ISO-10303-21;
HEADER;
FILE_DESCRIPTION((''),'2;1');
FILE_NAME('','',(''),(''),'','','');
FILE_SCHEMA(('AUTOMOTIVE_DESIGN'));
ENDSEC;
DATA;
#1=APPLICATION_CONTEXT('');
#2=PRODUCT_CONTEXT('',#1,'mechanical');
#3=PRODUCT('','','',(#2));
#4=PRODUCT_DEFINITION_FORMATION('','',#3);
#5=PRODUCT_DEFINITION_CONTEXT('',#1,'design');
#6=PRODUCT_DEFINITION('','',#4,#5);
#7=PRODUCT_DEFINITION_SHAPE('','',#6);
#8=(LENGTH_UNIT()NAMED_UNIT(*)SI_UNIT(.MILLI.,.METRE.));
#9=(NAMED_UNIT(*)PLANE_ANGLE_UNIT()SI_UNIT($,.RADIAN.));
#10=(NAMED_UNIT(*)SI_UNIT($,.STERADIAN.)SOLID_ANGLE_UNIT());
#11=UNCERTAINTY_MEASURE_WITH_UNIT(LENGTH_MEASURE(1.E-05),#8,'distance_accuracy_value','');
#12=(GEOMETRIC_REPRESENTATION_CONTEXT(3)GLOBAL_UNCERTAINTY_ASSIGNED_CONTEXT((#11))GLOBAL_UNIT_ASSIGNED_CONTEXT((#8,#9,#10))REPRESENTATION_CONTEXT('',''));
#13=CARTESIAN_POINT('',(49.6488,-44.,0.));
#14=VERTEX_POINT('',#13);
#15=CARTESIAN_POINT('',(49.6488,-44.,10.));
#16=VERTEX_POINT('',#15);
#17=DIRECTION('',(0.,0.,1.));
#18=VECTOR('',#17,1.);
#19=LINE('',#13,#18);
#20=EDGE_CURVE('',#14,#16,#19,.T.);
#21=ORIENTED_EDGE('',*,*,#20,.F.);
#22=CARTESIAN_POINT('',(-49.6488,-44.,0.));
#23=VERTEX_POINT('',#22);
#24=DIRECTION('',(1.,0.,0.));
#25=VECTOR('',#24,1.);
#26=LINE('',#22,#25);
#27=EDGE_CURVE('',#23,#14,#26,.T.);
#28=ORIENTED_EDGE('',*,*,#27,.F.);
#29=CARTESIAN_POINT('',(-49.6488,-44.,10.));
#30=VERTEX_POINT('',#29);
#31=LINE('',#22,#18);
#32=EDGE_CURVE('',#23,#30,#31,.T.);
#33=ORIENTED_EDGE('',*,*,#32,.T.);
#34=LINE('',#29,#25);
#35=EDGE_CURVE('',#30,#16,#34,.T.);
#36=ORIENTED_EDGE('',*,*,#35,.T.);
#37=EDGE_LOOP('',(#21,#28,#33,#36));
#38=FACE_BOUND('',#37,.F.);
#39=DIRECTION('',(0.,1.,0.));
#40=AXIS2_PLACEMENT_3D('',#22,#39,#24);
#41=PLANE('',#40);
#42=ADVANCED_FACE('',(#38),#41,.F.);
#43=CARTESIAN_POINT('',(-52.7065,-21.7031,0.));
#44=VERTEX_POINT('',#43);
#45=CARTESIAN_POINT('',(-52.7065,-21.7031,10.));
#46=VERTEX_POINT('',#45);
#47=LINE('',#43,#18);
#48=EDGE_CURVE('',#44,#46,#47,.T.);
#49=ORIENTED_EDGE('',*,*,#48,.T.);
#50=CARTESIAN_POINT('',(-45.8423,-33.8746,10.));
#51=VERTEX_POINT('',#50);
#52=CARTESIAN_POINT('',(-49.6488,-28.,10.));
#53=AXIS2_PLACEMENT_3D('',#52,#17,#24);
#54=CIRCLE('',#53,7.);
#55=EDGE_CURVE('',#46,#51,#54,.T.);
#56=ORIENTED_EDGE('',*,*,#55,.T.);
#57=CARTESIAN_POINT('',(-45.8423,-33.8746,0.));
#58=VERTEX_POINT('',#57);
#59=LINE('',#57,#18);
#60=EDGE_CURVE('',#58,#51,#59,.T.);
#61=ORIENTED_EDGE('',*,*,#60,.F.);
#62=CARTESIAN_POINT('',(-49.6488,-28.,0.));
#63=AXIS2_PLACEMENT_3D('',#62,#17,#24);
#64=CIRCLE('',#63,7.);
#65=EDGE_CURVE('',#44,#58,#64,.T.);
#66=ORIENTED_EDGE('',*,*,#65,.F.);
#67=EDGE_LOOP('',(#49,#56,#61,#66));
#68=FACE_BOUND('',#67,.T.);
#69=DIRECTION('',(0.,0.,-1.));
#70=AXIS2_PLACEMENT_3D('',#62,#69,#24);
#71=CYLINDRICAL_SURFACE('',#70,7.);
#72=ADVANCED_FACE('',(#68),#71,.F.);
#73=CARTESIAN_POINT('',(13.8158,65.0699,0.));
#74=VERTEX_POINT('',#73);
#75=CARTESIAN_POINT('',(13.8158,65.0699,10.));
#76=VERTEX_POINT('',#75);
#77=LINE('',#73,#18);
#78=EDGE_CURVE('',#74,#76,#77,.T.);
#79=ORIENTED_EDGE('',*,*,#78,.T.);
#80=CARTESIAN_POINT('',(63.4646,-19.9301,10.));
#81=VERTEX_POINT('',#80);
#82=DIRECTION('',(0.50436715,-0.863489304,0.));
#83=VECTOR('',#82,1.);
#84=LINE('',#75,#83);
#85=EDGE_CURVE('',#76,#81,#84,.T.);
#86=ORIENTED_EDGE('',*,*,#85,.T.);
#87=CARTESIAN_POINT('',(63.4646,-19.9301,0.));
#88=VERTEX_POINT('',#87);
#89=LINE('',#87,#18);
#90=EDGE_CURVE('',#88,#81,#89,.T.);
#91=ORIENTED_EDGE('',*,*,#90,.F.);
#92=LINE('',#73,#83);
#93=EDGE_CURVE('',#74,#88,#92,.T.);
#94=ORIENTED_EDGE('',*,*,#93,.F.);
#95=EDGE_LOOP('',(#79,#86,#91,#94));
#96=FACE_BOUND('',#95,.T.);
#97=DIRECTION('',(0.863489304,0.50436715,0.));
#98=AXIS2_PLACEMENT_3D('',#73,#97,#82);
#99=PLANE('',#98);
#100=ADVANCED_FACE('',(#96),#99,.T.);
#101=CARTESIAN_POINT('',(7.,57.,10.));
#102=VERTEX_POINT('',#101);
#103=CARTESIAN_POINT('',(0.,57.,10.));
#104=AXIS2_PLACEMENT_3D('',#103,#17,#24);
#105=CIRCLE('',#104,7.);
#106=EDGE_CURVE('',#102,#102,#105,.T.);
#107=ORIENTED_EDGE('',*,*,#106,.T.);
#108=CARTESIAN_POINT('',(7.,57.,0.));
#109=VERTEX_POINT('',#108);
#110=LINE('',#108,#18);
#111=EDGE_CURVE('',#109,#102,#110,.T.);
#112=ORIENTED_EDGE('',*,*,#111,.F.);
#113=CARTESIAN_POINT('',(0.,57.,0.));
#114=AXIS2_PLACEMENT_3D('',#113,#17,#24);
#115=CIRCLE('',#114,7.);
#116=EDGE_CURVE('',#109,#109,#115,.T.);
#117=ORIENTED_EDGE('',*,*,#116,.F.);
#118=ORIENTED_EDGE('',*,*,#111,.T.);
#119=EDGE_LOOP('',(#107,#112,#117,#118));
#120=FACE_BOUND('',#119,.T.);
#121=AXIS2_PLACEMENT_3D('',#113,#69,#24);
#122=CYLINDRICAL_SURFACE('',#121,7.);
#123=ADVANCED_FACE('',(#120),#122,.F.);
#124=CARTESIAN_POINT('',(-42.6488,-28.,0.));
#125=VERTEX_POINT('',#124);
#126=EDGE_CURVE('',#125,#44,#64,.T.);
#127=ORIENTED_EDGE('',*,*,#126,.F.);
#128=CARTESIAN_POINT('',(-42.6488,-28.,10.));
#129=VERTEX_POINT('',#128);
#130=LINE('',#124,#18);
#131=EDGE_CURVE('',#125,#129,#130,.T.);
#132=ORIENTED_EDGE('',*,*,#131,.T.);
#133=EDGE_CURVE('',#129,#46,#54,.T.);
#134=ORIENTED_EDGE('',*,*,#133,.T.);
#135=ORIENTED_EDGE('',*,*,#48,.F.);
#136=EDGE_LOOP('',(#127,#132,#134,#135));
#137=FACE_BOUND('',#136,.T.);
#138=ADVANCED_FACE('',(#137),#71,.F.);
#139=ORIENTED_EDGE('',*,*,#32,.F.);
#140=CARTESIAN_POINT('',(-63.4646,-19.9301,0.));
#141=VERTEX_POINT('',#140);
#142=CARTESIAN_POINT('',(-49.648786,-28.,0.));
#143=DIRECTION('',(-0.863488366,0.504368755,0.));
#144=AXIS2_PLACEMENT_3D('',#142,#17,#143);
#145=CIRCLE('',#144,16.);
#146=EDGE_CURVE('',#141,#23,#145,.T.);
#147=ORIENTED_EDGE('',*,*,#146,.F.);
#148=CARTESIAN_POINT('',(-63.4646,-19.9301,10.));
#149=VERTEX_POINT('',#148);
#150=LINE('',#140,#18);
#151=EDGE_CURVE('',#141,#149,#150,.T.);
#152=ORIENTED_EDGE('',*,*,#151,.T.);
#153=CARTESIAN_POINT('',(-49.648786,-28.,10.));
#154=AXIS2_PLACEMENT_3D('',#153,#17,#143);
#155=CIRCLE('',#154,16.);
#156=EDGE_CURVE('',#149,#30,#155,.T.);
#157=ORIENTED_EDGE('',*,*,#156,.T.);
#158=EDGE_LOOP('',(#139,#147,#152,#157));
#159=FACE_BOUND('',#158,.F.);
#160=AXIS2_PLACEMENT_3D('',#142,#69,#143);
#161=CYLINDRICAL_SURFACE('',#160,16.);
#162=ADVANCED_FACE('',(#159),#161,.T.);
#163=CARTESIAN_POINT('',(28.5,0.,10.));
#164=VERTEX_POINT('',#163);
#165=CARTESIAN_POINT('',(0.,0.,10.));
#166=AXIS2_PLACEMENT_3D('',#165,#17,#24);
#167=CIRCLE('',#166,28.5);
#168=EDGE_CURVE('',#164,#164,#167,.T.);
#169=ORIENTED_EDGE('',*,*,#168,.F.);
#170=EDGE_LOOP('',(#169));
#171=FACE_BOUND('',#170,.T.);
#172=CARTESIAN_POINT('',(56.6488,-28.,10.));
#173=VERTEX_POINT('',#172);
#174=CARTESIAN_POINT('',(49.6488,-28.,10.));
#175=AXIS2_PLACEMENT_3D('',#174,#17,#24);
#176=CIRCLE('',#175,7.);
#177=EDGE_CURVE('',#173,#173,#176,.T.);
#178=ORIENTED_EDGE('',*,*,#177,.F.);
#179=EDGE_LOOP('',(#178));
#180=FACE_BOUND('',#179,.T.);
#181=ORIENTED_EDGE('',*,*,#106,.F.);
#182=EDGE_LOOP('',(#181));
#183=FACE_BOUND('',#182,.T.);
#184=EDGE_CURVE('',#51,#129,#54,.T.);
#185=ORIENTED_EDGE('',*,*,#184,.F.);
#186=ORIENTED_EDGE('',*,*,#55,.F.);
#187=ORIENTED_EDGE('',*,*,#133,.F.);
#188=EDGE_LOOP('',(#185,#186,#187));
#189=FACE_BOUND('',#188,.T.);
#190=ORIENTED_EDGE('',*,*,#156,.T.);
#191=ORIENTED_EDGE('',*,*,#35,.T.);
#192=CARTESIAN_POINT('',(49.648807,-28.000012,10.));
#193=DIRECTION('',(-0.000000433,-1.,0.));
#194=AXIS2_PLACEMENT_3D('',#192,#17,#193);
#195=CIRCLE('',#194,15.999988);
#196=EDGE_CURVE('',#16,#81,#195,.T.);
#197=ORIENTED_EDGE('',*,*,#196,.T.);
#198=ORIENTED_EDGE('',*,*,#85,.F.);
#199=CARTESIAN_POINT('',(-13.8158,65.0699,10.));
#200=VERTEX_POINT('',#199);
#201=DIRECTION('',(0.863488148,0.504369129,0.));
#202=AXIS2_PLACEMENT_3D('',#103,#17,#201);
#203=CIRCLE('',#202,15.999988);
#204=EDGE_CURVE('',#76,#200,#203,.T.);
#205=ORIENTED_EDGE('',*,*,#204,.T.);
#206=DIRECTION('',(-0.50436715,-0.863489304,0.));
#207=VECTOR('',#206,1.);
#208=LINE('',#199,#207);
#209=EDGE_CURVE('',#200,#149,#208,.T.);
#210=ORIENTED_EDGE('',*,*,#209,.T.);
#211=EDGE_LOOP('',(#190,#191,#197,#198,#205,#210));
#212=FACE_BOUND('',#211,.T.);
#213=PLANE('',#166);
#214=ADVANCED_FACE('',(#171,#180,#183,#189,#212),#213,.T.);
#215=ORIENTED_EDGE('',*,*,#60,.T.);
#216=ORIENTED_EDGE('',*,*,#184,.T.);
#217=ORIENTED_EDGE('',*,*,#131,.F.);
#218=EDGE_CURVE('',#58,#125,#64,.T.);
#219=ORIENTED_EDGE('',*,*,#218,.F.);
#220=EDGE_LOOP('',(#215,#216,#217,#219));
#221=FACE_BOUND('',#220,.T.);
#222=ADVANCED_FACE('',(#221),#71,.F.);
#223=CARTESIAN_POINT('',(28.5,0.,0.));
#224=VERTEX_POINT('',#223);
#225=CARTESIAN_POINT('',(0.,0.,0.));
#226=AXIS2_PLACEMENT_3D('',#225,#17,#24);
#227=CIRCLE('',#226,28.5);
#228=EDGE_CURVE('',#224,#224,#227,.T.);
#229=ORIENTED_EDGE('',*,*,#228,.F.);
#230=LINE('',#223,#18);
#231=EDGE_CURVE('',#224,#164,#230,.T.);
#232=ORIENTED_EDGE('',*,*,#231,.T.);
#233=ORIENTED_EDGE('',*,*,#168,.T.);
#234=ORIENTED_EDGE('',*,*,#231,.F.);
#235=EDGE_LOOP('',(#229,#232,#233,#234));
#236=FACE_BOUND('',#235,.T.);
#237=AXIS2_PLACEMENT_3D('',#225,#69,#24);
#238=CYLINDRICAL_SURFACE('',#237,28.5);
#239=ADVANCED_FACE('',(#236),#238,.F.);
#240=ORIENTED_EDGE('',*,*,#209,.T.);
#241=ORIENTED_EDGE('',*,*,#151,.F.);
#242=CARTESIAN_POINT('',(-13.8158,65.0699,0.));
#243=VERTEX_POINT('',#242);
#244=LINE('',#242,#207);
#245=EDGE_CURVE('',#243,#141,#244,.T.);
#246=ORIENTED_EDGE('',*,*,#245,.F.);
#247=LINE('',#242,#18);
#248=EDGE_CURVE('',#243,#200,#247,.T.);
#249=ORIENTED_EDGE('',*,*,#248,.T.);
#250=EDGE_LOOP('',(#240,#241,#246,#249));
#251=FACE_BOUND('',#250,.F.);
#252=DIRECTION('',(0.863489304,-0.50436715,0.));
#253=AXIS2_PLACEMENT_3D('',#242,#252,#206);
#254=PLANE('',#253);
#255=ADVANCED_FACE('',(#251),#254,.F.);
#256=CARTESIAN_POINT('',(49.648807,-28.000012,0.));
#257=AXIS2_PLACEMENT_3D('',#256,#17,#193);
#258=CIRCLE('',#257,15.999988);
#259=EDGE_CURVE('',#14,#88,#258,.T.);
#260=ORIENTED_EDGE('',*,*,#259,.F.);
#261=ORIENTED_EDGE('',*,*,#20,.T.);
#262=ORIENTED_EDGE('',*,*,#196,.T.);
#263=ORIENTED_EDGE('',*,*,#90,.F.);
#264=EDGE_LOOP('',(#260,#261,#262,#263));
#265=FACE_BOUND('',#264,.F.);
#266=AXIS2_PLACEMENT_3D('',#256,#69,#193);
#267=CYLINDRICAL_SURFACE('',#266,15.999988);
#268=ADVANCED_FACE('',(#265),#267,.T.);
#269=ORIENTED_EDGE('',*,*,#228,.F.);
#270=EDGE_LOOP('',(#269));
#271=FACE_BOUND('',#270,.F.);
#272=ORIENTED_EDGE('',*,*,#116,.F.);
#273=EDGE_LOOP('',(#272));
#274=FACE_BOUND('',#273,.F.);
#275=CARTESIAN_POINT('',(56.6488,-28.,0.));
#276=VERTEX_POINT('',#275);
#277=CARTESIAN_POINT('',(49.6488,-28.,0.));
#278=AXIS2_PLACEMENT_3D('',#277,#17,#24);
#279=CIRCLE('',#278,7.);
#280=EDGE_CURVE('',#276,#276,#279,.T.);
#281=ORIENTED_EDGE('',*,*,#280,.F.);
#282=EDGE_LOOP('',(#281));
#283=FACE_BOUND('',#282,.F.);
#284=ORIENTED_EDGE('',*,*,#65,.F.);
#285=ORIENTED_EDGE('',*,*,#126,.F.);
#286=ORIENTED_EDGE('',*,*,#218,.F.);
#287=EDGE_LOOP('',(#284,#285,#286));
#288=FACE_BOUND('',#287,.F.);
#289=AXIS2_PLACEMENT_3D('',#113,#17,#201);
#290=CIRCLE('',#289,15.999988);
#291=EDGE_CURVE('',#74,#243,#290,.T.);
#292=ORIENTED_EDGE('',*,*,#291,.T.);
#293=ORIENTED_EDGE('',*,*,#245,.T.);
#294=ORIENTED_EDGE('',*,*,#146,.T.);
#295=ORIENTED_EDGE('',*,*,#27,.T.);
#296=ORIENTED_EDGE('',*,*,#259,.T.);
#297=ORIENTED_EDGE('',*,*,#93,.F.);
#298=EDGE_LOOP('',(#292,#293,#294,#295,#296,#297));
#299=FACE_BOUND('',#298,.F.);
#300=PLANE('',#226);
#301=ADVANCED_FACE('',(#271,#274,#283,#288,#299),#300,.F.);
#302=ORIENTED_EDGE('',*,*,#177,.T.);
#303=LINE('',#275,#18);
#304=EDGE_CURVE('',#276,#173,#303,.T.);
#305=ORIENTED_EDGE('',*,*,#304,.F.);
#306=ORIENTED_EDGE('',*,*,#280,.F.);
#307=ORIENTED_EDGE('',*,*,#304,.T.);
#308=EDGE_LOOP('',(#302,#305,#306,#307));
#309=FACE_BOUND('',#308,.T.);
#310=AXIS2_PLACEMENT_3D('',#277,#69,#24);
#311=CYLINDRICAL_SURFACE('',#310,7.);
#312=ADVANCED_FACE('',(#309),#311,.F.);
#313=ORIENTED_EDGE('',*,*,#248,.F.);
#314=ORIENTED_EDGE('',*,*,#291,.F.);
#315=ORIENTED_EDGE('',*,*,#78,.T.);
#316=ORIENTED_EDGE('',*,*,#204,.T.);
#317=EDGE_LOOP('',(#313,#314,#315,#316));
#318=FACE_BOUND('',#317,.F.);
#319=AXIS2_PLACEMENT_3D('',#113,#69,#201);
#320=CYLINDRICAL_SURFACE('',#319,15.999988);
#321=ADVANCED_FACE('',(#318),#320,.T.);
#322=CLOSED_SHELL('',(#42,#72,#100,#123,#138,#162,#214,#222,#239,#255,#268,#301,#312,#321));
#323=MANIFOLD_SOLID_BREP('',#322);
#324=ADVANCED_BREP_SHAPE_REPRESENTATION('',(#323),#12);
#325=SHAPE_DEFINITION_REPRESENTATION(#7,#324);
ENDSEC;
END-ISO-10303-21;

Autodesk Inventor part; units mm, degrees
ref_plane "YZ Plane" through (0, 0, 0) normal (1, 0, 0) x (0, 1, 0)
ref_plane "XZ Plane" through (0, 0, 0) normal (0, 1, 0) x (-1, 0, 0)
ref_plane "XY Plane" through (0, 0, 0) normal (0, 0, 1) x (1, 0, 0)
sketch "스케치1" plane through (0, 0, 0) normal (0, 0, 1) x (1, 0, 0)
  circle A0 centre (0, 0) radius 28.5
  line L0 (0, 20.304) -> (0, -24.0188)
  line L1 (-22.2174, 0) -> (23.7675, 0)
  circle A1 centre (0, 57) radius 7
  circle A2 centre (-49.6488, -28) radius 7
  circle A3 centre (49.6488, -28) radius 7
  arc A4 (13.8158, 65.0699) -> (-13.8158, 65.0699) centre (0, 57) ccw
  arc A5 (-63.4646, -19.9301) -> (-49.6488, -44) centre (-49.6488, -28) ccw
  arc A6 (49.6488, -44) -> (63.4646, -19.9301) centre (49.6488, -28) ccw
  line L2 (-13.8158, 65.0699) -> (-63.4646, -19.9301)
  line L3 (13.8158, 65.0699) -> (63.4646, -19.9301)
  line L4 (-49.6488, -44) -> (49.6488, -44)
  arc A7 (-52.7065, -21.7031) -> (-45.8423, -33.8746) centre (0, 0) ccw
  dimension "d0" = 57
  dimension "d4" = 14
  dimension "d6" = 14
  dimension "d7" = 28
  dimension "d8" = 32
  dimension "d9" = 32
  dimension "d10" = 32
extrude "돌출1" add sketch "스케치1" along normal blind 10
properties part number "240412_sketch2"
